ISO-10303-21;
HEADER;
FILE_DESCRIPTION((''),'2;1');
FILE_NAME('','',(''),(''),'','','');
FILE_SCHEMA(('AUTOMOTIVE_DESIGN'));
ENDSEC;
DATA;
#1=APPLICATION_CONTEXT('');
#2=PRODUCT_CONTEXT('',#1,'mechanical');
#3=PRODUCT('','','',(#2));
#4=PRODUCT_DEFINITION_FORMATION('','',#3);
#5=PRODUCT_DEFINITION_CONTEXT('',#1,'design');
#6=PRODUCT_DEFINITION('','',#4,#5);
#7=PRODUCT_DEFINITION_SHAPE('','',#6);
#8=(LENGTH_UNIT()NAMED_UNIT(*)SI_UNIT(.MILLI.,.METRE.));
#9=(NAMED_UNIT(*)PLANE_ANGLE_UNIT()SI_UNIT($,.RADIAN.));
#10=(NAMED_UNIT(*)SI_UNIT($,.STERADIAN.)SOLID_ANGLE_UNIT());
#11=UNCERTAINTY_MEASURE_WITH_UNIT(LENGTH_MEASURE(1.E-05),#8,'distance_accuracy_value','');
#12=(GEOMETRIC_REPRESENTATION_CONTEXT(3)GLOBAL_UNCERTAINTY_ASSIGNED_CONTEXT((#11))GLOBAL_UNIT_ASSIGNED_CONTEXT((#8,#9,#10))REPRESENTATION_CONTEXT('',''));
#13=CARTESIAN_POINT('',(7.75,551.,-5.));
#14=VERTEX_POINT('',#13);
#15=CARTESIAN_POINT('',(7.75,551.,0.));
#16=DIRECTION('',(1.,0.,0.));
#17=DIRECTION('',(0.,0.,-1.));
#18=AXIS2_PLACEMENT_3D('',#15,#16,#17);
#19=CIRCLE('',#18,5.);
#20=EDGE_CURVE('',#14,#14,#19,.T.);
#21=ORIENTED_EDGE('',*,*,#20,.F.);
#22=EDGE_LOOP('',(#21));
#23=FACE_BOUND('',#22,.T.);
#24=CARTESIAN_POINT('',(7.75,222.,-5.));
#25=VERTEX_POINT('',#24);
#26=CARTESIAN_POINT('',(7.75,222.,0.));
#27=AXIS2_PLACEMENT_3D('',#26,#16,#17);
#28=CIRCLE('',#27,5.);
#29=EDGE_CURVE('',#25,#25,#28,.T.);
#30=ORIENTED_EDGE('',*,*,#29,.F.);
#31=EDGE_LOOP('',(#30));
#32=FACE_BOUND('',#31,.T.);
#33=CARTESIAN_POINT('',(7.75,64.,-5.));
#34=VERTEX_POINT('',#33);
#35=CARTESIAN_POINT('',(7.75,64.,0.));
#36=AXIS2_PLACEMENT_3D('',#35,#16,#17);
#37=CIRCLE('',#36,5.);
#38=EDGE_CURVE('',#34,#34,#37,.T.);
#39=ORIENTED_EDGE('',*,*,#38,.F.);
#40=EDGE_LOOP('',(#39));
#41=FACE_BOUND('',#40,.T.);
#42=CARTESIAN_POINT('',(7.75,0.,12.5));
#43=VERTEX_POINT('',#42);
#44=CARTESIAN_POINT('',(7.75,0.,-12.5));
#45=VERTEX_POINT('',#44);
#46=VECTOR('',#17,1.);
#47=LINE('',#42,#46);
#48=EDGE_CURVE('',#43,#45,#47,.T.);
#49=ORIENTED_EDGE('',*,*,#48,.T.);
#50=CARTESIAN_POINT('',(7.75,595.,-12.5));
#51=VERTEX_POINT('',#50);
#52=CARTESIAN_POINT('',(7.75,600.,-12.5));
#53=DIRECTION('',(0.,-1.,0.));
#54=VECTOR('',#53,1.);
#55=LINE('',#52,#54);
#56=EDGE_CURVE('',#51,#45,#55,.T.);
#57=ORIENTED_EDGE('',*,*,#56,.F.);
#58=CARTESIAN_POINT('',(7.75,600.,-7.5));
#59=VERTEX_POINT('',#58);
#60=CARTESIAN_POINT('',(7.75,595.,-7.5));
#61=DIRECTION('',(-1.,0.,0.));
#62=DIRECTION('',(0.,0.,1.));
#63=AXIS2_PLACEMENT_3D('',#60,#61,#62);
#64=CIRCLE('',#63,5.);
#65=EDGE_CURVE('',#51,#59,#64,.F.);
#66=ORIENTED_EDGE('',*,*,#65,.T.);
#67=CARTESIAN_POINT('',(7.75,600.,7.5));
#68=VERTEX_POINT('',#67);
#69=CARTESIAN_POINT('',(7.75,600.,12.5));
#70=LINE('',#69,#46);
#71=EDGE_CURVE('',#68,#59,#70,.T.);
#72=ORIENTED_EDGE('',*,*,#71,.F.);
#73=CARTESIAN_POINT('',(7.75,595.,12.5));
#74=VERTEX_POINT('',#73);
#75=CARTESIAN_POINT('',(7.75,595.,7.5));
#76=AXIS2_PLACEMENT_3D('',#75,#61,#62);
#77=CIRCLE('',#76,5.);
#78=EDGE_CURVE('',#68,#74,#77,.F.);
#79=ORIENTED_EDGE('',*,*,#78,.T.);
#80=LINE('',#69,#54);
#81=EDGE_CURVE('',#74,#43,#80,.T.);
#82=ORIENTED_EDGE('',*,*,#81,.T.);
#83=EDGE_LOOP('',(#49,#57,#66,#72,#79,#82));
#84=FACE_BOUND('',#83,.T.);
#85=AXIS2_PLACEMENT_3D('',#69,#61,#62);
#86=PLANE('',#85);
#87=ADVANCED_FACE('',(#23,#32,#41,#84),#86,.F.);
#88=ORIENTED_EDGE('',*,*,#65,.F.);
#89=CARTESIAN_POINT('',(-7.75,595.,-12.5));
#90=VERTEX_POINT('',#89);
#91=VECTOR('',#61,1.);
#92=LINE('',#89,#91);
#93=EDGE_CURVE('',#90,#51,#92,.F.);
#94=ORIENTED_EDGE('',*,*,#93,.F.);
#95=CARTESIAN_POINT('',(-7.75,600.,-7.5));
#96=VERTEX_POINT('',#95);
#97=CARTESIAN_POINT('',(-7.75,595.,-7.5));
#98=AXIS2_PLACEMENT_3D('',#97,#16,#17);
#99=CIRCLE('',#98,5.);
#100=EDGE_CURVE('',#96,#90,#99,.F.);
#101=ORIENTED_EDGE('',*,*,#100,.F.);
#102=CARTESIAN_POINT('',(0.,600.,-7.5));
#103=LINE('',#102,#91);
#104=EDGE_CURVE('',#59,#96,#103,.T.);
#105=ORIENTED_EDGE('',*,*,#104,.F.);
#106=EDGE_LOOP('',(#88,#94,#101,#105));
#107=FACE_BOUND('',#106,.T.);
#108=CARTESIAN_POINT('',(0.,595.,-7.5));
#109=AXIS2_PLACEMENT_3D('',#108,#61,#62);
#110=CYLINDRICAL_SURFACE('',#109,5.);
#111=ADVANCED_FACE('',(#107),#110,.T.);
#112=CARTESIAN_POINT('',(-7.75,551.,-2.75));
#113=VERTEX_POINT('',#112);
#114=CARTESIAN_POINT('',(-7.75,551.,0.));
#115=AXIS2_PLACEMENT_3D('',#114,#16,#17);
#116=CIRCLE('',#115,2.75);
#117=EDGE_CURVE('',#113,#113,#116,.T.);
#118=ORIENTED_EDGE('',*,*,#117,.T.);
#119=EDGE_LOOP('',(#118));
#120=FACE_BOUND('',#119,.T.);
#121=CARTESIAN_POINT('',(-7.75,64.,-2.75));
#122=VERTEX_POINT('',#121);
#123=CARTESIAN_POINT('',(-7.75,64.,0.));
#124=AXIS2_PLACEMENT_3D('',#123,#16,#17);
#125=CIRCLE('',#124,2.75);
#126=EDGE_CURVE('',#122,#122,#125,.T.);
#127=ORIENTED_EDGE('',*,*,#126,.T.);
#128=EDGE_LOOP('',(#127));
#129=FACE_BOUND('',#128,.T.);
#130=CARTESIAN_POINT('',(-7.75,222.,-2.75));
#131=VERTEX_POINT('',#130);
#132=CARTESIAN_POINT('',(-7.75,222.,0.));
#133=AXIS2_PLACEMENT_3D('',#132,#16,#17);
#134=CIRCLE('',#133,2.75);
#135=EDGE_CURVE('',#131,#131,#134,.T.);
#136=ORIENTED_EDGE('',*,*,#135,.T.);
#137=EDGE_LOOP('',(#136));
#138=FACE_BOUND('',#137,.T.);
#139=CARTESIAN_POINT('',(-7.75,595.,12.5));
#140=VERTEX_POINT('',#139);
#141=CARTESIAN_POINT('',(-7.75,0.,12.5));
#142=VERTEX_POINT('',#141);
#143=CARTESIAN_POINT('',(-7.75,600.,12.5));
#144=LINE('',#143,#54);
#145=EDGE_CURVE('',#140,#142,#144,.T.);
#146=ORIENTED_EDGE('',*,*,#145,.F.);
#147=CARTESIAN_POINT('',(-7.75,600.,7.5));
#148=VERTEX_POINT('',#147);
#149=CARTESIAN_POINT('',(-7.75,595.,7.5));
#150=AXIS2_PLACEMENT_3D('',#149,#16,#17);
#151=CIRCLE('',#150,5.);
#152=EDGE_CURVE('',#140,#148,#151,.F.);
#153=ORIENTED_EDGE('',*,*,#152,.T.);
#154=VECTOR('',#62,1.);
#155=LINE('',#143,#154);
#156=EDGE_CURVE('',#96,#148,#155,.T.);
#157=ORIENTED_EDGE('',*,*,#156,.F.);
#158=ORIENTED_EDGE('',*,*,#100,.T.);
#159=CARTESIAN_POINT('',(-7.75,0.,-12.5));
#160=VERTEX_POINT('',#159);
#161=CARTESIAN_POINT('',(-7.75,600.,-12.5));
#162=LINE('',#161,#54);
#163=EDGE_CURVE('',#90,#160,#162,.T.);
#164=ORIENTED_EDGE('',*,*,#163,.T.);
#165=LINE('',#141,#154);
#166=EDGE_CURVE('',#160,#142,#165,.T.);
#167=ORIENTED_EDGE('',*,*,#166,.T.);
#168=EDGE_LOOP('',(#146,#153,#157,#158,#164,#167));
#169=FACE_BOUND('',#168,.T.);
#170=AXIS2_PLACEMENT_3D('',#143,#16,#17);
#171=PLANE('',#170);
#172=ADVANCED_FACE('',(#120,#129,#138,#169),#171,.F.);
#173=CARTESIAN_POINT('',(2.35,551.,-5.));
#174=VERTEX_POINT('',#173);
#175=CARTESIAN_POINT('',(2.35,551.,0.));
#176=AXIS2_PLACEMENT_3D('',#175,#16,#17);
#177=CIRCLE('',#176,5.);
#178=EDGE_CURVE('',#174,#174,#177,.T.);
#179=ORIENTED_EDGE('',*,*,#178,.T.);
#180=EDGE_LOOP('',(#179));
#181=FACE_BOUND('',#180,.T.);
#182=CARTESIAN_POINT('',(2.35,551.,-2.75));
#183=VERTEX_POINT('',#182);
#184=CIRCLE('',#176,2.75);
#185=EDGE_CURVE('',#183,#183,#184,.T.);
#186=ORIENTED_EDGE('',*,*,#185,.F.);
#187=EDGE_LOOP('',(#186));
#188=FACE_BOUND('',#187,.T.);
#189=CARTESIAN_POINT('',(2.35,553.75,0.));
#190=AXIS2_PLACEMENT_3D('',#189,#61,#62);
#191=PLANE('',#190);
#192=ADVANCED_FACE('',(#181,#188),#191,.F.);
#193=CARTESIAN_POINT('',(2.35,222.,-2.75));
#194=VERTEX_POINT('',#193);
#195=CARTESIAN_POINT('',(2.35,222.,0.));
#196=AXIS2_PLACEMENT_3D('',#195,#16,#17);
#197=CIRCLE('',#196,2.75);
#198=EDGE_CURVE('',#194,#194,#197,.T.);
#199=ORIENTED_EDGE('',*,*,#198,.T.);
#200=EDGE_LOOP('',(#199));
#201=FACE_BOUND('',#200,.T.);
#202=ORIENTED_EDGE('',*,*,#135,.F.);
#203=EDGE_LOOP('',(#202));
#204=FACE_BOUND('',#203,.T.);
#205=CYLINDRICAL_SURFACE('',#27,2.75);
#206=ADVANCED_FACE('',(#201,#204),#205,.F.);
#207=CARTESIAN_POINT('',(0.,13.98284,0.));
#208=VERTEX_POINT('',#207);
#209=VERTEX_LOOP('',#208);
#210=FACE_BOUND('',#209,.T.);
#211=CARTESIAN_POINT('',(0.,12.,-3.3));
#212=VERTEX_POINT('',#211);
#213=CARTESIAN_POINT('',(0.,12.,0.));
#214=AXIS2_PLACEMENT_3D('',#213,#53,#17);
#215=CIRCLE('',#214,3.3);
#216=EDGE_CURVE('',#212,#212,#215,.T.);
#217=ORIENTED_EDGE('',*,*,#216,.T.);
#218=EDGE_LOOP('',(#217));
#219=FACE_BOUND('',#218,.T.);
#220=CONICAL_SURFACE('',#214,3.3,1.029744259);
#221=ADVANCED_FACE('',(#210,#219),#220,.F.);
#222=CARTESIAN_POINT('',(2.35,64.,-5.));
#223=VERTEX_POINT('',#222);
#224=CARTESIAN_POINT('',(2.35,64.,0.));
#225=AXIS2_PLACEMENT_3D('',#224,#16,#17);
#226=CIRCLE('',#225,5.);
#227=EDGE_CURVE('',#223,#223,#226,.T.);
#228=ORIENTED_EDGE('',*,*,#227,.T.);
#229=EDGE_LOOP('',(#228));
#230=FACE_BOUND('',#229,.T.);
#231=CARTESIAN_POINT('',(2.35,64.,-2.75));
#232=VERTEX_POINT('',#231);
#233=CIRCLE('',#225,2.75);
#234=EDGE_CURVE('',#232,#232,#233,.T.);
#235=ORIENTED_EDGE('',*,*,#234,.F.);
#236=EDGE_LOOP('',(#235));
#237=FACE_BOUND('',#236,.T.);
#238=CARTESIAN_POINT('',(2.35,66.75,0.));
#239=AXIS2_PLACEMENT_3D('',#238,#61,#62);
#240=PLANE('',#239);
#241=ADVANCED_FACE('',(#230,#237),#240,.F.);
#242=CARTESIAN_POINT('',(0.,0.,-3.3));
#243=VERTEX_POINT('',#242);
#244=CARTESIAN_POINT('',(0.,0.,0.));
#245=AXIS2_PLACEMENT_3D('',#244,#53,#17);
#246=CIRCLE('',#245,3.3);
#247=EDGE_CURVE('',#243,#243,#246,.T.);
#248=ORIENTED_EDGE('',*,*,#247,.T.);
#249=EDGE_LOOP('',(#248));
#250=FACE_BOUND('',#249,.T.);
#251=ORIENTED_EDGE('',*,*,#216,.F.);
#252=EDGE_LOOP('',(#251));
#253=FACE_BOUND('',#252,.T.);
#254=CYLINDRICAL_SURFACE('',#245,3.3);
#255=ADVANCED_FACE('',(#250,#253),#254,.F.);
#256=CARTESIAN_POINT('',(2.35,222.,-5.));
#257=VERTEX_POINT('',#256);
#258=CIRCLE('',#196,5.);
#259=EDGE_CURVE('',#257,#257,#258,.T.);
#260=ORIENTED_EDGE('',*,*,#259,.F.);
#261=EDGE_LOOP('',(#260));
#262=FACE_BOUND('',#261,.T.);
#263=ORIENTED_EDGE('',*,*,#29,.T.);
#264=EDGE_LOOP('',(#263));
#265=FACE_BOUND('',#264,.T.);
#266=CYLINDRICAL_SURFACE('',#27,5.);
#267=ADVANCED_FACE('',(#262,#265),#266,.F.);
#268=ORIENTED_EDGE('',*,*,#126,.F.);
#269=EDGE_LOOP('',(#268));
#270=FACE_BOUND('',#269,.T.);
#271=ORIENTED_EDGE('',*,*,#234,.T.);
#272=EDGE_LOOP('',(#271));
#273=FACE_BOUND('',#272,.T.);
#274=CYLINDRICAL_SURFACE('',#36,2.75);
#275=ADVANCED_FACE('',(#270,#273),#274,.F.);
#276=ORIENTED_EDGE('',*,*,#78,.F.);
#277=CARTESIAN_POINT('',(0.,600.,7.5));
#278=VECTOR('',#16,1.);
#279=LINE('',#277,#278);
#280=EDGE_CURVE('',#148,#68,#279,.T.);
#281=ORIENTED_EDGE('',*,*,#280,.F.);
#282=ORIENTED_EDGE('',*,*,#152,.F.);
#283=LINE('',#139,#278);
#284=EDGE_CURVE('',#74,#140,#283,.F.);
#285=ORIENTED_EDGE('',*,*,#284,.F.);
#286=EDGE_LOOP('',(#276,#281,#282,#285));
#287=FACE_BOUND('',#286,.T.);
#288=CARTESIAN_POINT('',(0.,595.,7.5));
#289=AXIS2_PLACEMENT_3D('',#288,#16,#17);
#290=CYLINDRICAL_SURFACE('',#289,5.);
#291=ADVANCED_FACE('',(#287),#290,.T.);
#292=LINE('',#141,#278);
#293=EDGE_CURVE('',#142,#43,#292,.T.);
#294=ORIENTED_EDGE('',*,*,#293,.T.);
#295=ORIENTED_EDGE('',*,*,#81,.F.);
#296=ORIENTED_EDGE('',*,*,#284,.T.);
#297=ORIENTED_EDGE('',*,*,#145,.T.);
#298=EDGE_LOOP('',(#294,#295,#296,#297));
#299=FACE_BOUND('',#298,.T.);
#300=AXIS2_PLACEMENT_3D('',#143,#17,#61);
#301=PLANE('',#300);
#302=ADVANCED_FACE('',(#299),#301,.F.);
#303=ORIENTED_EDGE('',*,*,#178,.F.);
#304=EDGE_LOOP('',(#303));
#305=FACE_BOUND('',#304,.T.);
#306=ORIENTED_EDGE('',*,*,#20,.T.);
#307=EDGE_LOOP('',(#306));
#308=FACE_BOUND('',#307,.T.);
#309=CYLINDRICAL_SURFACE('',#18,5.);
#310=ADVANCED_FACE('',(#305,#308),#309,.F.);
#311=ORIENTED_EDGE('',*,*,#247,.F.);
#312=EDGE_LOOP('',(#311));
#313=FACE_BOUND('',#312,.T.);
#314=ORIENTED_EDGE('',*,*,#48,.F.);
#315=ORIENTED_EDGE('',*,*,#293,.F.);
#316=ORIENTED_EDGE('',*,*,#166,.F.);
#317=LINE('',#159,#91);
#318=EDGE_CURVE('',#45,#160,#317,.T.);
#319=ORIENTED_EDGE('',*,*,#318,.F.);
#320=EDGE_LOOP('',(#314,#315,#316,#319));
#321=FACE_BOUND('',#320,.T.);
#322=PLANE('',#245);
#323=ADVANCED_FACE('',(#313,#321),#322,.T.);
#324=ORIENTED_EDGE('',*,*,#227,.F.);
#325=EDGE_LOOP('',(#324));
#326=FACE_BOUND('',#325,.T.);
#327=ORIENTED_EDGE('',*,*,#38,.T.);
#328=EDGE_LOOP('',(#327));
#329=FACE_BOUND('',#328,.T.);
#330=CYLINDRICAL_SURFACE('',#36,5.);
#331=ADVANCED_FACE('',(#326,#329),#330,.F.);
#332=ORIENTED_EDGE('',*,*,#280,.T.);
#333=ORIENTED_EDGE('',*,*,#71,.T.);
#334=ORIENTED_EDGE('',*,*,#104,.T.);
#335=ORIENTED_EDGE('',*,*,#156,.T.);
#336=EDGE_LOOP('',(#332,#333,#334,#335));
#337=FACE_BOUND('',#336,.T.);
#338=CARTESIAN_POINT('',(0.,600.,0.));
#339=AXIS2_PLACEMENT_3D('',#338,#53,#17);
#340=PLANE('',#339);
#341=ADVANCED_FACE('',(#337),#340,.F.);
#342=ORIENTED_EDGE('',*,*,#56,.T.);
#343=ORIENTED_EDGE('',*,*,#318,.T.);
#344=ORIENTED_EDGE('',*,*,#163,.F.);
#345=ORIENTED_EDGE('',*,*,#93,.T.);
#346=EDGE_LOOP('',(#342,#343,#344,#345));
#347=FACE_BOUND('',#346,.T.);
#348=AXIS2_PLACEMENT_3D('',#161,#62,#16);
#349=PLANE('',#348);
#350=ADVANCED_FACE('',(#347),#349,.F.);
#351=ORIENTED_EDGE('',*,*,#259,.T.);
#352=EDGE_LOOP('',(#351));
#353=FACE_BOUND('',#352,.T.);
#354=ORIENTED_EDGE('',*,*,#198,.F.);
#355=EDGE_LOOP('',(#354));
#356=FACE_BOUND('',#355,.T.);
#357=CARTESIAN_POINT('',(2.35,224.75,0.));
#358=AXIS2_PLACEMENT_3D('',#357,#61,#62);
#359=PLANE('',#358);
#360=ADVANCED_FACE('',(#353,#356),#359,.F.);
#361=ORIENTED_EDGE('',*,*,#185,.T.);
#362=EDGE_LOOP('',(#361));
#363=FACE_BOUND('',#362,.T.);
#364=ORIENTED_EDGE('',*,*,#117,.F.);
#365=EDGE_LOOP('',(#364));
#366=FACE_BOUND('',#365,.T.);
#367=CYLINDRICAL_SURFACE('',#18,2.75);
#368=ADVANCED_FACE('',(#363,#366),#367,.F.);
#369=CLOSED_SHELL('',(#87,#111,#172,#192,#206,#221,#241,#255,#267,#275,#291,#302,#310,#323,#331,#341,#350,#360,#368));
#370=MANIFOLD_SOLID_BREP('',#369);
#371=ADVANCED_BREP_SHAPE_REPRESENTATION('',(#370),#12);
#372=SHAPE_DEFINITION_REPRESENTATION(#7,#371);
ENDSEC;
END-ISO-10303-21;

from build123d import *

# Parameters (mm, degrees)
SKETCH1_W                                           = 15.5
SKETCH1_H                                           = 25
BOSS_EXTRUDE1_DEPTH                                 = 600
FILLET1_R                                           = 5
F_5_0MM_DOWEL_HOLE1_D                               = 6.6
F_5_0MM_DOWEL_HOLE1_DEPTH                           = 12
F_5_0MM_DOWEL_HOLE1_TIP                             = 1.982840043
CBORE_FOR_M5_HEX_SOCKET_HEAD_CAP_SCREW1_D           = 5.5
CBORE_FOR_M5_HEX_SOCKET_HEAD_CAP_SCREW1_CBORE_D     = 10
CBORE_FOR_M5_HEX_SOCKET_HEAD_CAP_SCREW1_CBORE_DEPTH = 5.4


with BuildPart() as part:
    # Sketch1 → Boss-Extrude1 (new body)
    with BuildSketch(Plane(origin=(0, 0, 0), x_dir=(1, 0, 0), z_dir=(0, 1, 0))):
        Rectangle(SKETCH1_W, SKETCH1_H)
    extrude(amount=BOSS_EXTRUDE1_DEPTH)

    # Fillet1
    fillet1_edges = [part.edges().sort_by_distance(p)[0] for p in [
        (0, 600, 12.5),
        (0, 600, -12.5),
    ]]
    fillet(fillet1_edges, radius=FILLET1_R)

    # Ø5.0mm Dowel Hole1
    with Locations(Plane(origin=(0, 0, 0), x_dir=(-1, 0, 0), z_dir=(0, -1, 0))):
        with Locations((0, 0)):
            Hole(F_5_0MM_DOWEL_HOLE1_D / 2, depth=F_5_0MM_DOWEL_HOLE1_DEPTH)
            with Locations((0, 0, -(F_5_0MM_DOWEL_HOLE1_DEPTH + F_5_0MM_DOWEL_HOLE1_TIP / 2))):  # 118° drill point
                Cone(0, F_5_0MM_DOWEL_HOLE1_D / 2, F_5_0MM_DOWEL_HOLE1_TIP, mode=Mode.SUBTRACT)

    # CBORE for M5 Hex Socket Head Cap Screw1 (through all)
    with Locations(Plane(origin=(7.75, 0, 0), x_dir=(0, 0, -1), z_dir=(1, 0, 0))):
        with Locations((0, 222), (0, 551), (0, 64)):
            CounterBoreHole(CBORE_FOR_M5_HEX_SOCKET_HEAD_CAP_SCREW1_D / 2, CBORE_FOR_M5_HEX_SOCKET_HEAD_CAP_SCREW1_CBORE_D / 2, CBORE_FOR_M5_HEX_SOCKET_HEAD_CAP_SCREW1_CBORE_DEPTH)


solid = part.part
